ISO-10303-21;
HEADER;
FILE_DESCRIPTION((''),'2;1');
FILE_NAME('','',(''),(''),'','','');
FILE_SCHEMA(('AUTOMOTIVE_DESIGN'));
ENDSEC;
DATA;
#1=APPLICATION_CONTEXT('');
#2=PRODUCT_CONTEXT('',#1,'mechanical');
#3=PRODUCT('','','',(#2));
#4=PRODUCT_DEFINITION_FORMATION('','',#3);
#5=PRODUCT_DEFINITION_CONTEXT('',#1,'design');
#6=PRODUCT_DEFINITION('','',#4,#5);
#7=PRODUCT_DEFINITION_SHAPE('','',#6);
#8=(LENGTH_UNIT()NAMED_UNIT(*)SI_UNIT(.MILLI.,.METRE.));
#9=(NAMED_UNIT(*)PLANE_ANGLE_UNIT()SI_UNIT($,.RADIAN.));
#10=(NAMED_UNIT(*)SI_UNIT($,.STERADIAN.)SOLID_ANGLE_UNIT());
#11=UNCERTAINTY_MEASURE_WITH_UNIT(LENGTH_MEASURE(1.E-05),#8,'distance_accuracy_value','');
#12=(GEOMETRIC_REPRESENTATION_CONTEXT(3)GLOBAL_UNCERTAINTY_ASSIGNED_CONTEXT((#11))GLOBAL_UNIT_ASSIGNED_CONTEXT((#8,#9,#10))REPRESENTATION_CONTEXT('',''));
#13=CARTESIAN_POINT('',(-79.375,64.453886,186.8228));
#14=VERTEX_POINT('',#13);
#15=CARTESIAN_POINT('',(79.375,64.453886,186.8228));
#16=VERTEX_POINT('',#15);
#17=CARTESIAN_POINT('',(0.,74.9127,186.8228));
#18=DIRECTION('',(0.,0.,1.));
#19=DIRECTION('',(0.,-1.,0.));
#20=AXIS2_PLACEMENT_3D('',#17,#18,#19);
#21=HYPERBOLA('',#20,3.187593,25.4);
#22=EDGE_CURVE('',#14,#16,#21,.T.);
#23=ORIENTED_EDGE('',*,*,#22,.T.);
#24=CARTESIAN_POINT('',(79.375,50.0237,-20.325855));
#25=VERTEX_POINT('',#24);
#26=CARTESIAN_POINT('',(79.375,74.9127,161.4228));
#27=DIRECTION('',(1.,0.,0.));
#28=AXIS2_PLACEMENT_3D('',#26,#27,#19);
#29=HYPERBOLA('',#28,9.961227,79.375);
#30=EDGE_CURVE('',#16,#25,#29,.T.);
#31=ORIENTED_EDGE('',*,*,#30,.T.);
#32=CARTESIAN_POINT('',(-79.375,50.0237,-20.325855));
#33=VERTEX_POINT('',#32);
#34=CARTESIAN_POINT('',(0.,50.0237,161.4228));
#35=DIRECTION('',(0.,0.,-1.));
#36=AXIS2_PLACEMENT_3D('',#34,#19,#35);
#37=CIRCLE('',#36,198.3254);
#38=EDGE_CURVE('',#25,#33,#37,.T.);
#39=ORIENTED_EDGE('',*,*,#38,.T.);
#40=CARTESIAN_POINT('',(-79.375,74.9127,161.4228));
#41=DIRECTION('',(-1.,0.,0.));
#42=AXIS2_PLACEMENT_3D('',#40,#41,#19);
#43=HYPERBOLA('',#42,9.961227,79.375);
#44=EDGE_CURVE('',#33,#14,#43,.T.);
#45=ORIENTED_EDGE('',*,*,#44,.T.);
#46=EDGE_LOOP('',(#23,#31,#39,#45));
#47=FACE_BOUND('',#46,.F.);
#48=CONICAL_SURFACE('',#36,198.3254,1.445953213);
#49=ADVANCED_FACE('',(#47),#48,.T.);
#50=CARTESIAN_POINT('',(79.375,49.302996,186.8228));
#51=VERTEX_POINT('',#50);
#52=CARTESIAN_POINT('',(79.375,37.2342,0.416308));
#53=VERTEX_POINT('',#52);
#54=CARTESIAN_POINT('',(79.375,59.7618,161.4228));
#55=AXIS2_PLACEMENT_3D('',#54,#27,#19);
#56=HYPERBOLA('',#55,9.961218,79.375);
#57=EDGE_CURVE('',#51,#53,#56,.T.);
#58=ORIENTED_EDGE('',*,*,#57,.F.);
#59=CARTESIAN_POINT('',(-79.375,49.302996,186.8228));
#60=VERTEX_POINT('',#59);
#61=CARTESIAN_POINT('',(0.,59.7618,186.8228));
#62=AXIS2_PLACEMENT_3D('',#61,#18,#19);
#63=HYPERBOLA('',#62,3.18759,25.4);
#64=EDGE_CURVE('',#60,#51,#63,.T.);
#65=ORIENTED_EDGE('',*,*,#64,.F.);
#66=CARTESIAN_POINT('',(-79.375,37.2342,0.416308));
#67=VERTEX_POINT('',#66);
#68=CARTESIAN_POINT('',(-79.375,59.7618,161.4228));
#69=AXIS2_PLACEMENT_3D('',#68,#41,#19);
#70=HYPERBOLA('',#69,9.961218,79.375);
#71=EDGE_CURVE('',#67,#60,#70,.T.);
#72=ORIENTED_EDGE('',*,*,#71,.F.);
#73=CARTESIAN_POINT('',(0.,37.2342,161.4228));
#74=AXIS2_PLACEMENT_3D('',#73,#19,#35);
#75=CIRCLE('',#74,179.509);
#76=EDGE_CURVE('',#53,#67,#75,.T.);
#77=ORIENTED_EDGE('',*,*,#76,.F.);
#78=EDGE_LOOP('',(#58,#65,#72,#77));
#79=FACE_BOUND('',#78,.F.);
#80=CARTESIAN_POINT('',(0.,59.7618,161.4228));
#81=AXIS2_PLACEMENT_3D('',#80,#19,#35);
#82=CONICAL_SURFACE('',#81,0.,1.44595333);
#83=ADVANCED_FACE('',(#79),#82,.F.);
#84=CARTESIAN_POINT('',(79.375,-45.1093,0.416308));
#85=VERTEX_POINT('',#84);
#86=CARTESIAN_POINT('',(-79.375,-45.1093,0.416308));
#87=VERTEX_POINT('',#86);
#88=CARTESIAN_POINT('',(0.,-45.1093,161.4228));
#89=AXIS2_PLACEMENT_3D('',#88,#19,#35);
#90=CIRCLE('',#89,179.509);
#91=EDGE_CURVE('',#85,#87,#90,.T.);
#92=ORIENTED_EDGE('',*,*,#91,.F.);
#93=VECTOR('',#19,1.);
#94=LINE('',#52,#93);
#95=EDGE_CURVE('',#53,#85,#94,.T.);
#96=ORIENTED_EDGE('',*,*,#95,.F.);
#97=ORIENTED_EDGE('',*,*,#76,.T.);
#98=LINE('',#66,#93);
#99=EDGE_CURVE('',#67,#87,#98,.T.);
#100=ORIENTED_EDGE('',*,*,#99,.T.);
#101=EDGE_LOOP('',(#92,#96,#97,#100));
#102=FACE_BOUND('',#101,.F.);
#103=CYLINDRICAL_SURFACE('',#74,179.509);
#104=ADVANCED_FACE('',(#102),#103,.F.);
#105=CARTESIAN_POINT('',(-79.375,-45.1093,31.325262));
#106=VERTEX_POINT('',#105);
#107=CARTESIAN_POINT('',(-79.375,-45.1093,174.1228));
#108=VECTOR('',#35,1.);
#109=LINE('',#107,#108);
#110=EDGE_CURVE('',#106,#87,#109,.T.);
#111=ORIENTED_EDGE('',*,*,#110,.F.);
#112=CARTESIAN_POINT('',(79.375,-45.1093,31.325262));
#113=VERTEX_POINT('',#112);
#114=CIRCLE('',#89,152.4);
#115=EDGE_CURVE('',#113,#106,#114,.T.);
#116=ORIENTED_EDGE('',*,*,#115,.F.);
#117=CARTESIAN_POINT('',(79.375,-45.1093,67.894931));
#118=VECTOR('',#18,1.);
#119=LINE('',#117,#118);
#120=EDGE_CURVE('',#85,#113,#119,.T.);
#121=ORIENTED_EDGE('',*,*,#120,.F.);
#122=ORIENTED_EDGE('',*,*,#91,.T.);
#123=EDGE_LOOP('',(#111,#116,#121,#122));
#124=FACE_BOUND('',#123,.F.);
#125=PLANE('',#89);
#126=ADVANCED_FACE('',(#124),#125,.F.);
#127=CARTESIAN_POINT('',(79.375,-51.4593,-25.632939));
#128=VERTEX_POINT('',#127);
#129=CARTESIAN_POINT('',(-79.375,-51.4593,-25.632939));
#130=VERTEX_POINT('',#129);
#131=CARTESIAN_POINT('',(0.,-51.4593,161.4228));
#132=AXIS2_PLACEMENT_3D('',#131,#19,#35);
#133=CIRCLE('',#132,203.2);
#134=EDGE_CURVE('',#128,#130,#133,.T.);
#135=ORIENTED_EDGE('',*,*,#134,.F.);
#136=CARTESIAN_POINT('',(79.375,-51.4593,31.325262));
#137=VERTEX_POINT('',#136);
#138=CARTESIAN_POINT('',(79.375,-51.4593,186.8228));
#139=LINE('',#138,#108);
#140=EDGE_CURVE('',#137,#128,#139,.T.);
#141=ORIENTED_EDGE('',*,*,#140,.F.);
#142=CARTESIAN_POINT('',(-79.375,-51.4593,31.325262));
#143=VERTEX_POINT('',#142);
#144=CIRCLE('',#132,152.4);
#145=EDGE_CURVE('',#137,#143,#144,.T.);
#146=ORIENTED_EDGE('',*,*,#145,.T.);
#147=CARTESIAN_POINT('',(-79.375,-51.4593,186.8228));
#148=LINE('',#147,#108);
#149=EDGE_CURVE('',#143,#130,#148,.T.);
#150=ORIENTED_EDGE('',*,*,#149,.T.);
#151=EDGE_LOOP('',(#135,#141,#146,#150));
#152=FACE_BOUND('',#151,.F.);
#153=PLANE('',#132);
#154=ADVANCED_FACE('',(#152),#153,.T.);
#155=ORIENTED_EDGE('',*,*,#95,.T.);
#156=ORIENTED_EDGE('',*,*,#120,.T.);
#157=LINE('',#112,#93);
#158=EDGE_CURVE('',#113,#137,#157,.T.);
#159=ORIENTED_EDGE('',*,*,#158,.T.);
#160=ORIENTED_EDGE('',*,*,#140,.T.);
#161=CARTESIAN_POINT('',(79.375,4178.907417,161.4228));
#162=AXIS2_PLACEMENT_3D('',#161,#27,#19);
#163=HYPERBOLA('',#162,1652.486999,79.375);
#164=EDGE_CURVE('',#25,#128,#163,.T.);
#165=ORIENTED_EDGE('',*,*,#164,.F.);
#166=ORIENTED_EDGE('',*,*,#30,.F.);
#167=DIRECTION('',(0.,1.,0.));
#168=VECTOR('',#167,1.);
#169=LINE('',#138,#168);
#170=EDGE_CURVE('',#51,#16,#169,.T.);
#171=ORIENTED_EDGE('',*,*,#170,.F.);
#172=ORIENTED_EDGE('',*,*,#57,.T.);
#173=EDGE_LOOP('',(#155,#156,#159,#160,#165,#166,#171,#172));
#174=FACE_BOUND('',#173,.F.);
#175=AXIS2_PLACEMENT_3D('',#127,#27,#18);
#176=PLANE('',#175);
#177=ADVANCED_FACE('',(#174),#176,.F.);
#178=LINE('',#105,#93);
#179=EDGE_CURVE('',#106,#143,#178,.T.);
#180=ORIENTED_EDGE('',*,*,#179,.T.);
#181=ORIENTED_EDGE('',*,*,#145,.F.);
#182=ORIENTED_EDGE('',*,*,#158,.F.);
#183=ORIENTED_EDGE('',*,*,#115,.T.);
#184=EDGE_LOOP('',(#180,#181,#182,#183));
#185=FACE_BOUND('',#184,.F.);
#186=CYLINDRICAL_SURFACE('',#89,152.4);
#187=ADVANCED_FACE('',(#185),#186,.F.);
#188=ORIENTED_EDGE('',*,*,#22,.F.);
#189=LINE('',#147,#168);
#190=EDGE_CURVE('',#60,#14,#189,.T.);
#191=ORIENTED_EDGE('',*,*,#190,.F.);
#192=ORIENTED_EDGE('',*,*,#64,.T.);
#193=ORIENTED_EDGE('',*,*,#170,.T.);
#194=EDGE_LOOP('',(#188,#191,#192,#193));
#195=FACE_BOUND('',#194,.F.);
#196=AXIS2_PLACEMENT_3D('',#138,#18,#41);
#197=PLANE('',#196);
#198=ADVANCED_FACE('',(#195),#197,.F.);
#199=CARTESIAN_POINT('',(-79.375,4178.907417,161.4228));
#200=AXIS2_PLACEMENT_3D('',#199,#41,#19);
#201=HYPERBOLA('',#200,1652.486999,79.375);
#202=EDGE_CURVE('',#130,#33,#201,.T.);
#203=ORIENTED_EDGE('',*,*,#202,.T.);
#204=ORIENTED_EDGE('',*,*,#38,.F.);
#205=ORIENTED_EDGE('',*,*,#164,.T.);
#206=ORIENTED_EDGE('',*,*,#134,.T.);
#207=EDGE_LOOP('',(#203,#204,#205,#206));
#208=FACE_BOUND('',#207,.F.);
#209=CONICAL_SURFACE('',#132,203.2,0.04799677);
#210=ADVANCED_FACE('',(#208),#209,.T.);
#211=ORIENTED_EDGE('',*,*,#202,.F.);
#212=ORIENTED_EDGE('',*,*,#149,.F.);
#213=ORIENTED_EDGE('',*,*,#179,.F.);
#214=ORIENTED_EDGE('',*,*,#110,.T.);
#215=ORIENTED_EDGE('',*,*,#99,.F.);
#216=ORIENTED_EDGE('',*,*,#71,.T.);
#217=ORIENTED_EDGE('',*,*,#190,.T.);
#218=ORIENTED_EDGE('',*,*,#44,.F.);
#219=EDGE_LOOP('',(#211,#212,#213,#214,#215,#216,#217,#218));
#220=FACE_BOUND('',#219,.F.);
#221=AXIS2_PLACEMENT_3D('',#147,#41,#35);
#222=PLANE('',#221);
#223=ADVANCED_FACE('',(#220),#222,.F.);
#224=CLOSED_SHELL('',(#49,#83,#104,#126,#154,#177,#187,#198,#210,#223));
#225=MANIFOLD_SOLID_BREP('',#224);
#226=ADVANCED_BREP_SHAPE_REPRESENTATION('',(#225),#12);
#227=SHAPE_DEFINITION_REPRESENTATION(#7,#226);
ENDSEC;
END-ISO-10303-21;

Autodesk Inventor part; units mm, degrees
ref_plane "YZ Plane" through (0, 0, 0) normal (1, 0, 0) x (0, 1, 0)
ref_plane "XZ Plane" through (0, 0, 0) normal (0, 1, 0) x (-1, 0, 0)
ref_plane "XY Plane" through (0, 0, 0) normal (0, 0, 1) x (1, 0, 0)
sketch "Sketch1" plane through (0, 0, 0) normal (1, 0, 0) x (0, 1, 0)
  line L0 (74.9127, 161.4228) -> (59.7618, 161.4228)
  line L1 (-45.1093, -18.0862) -> (-45.1093, 9.0228)
  line L2 (-45.1093, 9.0228) -> (-51.4593, 9.0228)
  line L3 (-51.4593, 9.0228) -> (-51.4593, -41.7772)
  line L4 (37.2342, -18.0862) -> (-45.1093, -18.0862)
  line L5 (-51.4593, -41.7772) -> (50.0237, -36.9026)
  line L6 (50.0237, -36.9026) -> (74.9127, 161.4228)
  line L7 (59.7618, 161.4228) -> (37.2342, -18.0862)
  point P0 (0, 0)
  dimension "d0" = 101.6
  dimension "d2" = 50.8
  dimension "d3" = 6.35
  dimension "d4" = 87.25
revolve "Revolution1" add sketch "Sketch1" angle 360 about axis through (0, 74.9127, 161.4228) along (0, -1, 0)
sketch "Sketch2" plane through (0, -51.4593, 161.4228) normal (0, -1, 0) x (1, 0, 0)
  line L0 (79.375, 25.4) -> (-79.375, 25.4)
  line L1 (-79.375, 25.4) -> (-79.375, -278.9965)
  line L2 (-79.375, -278.9965) -> (79.375, -278.9965)
  line L3 (79.375, -278.9965) -> (79.375, 25.4)
  circle A0 centre (0, 0) radius 203.2 projected
  point P0 (0, -161.4228)
  dimension "d6" = 158.75
  dimension "d7" = 79.375
  dimension "d8" = 25.4
extrude "Extrusion1" cut sketch "Sketch2" against normal blind 127 contours L3 A0 L1 L0 | L3 L2 L1 A0 picked at (-3.0192, -50.7327)
properties part number "FullTopx"
